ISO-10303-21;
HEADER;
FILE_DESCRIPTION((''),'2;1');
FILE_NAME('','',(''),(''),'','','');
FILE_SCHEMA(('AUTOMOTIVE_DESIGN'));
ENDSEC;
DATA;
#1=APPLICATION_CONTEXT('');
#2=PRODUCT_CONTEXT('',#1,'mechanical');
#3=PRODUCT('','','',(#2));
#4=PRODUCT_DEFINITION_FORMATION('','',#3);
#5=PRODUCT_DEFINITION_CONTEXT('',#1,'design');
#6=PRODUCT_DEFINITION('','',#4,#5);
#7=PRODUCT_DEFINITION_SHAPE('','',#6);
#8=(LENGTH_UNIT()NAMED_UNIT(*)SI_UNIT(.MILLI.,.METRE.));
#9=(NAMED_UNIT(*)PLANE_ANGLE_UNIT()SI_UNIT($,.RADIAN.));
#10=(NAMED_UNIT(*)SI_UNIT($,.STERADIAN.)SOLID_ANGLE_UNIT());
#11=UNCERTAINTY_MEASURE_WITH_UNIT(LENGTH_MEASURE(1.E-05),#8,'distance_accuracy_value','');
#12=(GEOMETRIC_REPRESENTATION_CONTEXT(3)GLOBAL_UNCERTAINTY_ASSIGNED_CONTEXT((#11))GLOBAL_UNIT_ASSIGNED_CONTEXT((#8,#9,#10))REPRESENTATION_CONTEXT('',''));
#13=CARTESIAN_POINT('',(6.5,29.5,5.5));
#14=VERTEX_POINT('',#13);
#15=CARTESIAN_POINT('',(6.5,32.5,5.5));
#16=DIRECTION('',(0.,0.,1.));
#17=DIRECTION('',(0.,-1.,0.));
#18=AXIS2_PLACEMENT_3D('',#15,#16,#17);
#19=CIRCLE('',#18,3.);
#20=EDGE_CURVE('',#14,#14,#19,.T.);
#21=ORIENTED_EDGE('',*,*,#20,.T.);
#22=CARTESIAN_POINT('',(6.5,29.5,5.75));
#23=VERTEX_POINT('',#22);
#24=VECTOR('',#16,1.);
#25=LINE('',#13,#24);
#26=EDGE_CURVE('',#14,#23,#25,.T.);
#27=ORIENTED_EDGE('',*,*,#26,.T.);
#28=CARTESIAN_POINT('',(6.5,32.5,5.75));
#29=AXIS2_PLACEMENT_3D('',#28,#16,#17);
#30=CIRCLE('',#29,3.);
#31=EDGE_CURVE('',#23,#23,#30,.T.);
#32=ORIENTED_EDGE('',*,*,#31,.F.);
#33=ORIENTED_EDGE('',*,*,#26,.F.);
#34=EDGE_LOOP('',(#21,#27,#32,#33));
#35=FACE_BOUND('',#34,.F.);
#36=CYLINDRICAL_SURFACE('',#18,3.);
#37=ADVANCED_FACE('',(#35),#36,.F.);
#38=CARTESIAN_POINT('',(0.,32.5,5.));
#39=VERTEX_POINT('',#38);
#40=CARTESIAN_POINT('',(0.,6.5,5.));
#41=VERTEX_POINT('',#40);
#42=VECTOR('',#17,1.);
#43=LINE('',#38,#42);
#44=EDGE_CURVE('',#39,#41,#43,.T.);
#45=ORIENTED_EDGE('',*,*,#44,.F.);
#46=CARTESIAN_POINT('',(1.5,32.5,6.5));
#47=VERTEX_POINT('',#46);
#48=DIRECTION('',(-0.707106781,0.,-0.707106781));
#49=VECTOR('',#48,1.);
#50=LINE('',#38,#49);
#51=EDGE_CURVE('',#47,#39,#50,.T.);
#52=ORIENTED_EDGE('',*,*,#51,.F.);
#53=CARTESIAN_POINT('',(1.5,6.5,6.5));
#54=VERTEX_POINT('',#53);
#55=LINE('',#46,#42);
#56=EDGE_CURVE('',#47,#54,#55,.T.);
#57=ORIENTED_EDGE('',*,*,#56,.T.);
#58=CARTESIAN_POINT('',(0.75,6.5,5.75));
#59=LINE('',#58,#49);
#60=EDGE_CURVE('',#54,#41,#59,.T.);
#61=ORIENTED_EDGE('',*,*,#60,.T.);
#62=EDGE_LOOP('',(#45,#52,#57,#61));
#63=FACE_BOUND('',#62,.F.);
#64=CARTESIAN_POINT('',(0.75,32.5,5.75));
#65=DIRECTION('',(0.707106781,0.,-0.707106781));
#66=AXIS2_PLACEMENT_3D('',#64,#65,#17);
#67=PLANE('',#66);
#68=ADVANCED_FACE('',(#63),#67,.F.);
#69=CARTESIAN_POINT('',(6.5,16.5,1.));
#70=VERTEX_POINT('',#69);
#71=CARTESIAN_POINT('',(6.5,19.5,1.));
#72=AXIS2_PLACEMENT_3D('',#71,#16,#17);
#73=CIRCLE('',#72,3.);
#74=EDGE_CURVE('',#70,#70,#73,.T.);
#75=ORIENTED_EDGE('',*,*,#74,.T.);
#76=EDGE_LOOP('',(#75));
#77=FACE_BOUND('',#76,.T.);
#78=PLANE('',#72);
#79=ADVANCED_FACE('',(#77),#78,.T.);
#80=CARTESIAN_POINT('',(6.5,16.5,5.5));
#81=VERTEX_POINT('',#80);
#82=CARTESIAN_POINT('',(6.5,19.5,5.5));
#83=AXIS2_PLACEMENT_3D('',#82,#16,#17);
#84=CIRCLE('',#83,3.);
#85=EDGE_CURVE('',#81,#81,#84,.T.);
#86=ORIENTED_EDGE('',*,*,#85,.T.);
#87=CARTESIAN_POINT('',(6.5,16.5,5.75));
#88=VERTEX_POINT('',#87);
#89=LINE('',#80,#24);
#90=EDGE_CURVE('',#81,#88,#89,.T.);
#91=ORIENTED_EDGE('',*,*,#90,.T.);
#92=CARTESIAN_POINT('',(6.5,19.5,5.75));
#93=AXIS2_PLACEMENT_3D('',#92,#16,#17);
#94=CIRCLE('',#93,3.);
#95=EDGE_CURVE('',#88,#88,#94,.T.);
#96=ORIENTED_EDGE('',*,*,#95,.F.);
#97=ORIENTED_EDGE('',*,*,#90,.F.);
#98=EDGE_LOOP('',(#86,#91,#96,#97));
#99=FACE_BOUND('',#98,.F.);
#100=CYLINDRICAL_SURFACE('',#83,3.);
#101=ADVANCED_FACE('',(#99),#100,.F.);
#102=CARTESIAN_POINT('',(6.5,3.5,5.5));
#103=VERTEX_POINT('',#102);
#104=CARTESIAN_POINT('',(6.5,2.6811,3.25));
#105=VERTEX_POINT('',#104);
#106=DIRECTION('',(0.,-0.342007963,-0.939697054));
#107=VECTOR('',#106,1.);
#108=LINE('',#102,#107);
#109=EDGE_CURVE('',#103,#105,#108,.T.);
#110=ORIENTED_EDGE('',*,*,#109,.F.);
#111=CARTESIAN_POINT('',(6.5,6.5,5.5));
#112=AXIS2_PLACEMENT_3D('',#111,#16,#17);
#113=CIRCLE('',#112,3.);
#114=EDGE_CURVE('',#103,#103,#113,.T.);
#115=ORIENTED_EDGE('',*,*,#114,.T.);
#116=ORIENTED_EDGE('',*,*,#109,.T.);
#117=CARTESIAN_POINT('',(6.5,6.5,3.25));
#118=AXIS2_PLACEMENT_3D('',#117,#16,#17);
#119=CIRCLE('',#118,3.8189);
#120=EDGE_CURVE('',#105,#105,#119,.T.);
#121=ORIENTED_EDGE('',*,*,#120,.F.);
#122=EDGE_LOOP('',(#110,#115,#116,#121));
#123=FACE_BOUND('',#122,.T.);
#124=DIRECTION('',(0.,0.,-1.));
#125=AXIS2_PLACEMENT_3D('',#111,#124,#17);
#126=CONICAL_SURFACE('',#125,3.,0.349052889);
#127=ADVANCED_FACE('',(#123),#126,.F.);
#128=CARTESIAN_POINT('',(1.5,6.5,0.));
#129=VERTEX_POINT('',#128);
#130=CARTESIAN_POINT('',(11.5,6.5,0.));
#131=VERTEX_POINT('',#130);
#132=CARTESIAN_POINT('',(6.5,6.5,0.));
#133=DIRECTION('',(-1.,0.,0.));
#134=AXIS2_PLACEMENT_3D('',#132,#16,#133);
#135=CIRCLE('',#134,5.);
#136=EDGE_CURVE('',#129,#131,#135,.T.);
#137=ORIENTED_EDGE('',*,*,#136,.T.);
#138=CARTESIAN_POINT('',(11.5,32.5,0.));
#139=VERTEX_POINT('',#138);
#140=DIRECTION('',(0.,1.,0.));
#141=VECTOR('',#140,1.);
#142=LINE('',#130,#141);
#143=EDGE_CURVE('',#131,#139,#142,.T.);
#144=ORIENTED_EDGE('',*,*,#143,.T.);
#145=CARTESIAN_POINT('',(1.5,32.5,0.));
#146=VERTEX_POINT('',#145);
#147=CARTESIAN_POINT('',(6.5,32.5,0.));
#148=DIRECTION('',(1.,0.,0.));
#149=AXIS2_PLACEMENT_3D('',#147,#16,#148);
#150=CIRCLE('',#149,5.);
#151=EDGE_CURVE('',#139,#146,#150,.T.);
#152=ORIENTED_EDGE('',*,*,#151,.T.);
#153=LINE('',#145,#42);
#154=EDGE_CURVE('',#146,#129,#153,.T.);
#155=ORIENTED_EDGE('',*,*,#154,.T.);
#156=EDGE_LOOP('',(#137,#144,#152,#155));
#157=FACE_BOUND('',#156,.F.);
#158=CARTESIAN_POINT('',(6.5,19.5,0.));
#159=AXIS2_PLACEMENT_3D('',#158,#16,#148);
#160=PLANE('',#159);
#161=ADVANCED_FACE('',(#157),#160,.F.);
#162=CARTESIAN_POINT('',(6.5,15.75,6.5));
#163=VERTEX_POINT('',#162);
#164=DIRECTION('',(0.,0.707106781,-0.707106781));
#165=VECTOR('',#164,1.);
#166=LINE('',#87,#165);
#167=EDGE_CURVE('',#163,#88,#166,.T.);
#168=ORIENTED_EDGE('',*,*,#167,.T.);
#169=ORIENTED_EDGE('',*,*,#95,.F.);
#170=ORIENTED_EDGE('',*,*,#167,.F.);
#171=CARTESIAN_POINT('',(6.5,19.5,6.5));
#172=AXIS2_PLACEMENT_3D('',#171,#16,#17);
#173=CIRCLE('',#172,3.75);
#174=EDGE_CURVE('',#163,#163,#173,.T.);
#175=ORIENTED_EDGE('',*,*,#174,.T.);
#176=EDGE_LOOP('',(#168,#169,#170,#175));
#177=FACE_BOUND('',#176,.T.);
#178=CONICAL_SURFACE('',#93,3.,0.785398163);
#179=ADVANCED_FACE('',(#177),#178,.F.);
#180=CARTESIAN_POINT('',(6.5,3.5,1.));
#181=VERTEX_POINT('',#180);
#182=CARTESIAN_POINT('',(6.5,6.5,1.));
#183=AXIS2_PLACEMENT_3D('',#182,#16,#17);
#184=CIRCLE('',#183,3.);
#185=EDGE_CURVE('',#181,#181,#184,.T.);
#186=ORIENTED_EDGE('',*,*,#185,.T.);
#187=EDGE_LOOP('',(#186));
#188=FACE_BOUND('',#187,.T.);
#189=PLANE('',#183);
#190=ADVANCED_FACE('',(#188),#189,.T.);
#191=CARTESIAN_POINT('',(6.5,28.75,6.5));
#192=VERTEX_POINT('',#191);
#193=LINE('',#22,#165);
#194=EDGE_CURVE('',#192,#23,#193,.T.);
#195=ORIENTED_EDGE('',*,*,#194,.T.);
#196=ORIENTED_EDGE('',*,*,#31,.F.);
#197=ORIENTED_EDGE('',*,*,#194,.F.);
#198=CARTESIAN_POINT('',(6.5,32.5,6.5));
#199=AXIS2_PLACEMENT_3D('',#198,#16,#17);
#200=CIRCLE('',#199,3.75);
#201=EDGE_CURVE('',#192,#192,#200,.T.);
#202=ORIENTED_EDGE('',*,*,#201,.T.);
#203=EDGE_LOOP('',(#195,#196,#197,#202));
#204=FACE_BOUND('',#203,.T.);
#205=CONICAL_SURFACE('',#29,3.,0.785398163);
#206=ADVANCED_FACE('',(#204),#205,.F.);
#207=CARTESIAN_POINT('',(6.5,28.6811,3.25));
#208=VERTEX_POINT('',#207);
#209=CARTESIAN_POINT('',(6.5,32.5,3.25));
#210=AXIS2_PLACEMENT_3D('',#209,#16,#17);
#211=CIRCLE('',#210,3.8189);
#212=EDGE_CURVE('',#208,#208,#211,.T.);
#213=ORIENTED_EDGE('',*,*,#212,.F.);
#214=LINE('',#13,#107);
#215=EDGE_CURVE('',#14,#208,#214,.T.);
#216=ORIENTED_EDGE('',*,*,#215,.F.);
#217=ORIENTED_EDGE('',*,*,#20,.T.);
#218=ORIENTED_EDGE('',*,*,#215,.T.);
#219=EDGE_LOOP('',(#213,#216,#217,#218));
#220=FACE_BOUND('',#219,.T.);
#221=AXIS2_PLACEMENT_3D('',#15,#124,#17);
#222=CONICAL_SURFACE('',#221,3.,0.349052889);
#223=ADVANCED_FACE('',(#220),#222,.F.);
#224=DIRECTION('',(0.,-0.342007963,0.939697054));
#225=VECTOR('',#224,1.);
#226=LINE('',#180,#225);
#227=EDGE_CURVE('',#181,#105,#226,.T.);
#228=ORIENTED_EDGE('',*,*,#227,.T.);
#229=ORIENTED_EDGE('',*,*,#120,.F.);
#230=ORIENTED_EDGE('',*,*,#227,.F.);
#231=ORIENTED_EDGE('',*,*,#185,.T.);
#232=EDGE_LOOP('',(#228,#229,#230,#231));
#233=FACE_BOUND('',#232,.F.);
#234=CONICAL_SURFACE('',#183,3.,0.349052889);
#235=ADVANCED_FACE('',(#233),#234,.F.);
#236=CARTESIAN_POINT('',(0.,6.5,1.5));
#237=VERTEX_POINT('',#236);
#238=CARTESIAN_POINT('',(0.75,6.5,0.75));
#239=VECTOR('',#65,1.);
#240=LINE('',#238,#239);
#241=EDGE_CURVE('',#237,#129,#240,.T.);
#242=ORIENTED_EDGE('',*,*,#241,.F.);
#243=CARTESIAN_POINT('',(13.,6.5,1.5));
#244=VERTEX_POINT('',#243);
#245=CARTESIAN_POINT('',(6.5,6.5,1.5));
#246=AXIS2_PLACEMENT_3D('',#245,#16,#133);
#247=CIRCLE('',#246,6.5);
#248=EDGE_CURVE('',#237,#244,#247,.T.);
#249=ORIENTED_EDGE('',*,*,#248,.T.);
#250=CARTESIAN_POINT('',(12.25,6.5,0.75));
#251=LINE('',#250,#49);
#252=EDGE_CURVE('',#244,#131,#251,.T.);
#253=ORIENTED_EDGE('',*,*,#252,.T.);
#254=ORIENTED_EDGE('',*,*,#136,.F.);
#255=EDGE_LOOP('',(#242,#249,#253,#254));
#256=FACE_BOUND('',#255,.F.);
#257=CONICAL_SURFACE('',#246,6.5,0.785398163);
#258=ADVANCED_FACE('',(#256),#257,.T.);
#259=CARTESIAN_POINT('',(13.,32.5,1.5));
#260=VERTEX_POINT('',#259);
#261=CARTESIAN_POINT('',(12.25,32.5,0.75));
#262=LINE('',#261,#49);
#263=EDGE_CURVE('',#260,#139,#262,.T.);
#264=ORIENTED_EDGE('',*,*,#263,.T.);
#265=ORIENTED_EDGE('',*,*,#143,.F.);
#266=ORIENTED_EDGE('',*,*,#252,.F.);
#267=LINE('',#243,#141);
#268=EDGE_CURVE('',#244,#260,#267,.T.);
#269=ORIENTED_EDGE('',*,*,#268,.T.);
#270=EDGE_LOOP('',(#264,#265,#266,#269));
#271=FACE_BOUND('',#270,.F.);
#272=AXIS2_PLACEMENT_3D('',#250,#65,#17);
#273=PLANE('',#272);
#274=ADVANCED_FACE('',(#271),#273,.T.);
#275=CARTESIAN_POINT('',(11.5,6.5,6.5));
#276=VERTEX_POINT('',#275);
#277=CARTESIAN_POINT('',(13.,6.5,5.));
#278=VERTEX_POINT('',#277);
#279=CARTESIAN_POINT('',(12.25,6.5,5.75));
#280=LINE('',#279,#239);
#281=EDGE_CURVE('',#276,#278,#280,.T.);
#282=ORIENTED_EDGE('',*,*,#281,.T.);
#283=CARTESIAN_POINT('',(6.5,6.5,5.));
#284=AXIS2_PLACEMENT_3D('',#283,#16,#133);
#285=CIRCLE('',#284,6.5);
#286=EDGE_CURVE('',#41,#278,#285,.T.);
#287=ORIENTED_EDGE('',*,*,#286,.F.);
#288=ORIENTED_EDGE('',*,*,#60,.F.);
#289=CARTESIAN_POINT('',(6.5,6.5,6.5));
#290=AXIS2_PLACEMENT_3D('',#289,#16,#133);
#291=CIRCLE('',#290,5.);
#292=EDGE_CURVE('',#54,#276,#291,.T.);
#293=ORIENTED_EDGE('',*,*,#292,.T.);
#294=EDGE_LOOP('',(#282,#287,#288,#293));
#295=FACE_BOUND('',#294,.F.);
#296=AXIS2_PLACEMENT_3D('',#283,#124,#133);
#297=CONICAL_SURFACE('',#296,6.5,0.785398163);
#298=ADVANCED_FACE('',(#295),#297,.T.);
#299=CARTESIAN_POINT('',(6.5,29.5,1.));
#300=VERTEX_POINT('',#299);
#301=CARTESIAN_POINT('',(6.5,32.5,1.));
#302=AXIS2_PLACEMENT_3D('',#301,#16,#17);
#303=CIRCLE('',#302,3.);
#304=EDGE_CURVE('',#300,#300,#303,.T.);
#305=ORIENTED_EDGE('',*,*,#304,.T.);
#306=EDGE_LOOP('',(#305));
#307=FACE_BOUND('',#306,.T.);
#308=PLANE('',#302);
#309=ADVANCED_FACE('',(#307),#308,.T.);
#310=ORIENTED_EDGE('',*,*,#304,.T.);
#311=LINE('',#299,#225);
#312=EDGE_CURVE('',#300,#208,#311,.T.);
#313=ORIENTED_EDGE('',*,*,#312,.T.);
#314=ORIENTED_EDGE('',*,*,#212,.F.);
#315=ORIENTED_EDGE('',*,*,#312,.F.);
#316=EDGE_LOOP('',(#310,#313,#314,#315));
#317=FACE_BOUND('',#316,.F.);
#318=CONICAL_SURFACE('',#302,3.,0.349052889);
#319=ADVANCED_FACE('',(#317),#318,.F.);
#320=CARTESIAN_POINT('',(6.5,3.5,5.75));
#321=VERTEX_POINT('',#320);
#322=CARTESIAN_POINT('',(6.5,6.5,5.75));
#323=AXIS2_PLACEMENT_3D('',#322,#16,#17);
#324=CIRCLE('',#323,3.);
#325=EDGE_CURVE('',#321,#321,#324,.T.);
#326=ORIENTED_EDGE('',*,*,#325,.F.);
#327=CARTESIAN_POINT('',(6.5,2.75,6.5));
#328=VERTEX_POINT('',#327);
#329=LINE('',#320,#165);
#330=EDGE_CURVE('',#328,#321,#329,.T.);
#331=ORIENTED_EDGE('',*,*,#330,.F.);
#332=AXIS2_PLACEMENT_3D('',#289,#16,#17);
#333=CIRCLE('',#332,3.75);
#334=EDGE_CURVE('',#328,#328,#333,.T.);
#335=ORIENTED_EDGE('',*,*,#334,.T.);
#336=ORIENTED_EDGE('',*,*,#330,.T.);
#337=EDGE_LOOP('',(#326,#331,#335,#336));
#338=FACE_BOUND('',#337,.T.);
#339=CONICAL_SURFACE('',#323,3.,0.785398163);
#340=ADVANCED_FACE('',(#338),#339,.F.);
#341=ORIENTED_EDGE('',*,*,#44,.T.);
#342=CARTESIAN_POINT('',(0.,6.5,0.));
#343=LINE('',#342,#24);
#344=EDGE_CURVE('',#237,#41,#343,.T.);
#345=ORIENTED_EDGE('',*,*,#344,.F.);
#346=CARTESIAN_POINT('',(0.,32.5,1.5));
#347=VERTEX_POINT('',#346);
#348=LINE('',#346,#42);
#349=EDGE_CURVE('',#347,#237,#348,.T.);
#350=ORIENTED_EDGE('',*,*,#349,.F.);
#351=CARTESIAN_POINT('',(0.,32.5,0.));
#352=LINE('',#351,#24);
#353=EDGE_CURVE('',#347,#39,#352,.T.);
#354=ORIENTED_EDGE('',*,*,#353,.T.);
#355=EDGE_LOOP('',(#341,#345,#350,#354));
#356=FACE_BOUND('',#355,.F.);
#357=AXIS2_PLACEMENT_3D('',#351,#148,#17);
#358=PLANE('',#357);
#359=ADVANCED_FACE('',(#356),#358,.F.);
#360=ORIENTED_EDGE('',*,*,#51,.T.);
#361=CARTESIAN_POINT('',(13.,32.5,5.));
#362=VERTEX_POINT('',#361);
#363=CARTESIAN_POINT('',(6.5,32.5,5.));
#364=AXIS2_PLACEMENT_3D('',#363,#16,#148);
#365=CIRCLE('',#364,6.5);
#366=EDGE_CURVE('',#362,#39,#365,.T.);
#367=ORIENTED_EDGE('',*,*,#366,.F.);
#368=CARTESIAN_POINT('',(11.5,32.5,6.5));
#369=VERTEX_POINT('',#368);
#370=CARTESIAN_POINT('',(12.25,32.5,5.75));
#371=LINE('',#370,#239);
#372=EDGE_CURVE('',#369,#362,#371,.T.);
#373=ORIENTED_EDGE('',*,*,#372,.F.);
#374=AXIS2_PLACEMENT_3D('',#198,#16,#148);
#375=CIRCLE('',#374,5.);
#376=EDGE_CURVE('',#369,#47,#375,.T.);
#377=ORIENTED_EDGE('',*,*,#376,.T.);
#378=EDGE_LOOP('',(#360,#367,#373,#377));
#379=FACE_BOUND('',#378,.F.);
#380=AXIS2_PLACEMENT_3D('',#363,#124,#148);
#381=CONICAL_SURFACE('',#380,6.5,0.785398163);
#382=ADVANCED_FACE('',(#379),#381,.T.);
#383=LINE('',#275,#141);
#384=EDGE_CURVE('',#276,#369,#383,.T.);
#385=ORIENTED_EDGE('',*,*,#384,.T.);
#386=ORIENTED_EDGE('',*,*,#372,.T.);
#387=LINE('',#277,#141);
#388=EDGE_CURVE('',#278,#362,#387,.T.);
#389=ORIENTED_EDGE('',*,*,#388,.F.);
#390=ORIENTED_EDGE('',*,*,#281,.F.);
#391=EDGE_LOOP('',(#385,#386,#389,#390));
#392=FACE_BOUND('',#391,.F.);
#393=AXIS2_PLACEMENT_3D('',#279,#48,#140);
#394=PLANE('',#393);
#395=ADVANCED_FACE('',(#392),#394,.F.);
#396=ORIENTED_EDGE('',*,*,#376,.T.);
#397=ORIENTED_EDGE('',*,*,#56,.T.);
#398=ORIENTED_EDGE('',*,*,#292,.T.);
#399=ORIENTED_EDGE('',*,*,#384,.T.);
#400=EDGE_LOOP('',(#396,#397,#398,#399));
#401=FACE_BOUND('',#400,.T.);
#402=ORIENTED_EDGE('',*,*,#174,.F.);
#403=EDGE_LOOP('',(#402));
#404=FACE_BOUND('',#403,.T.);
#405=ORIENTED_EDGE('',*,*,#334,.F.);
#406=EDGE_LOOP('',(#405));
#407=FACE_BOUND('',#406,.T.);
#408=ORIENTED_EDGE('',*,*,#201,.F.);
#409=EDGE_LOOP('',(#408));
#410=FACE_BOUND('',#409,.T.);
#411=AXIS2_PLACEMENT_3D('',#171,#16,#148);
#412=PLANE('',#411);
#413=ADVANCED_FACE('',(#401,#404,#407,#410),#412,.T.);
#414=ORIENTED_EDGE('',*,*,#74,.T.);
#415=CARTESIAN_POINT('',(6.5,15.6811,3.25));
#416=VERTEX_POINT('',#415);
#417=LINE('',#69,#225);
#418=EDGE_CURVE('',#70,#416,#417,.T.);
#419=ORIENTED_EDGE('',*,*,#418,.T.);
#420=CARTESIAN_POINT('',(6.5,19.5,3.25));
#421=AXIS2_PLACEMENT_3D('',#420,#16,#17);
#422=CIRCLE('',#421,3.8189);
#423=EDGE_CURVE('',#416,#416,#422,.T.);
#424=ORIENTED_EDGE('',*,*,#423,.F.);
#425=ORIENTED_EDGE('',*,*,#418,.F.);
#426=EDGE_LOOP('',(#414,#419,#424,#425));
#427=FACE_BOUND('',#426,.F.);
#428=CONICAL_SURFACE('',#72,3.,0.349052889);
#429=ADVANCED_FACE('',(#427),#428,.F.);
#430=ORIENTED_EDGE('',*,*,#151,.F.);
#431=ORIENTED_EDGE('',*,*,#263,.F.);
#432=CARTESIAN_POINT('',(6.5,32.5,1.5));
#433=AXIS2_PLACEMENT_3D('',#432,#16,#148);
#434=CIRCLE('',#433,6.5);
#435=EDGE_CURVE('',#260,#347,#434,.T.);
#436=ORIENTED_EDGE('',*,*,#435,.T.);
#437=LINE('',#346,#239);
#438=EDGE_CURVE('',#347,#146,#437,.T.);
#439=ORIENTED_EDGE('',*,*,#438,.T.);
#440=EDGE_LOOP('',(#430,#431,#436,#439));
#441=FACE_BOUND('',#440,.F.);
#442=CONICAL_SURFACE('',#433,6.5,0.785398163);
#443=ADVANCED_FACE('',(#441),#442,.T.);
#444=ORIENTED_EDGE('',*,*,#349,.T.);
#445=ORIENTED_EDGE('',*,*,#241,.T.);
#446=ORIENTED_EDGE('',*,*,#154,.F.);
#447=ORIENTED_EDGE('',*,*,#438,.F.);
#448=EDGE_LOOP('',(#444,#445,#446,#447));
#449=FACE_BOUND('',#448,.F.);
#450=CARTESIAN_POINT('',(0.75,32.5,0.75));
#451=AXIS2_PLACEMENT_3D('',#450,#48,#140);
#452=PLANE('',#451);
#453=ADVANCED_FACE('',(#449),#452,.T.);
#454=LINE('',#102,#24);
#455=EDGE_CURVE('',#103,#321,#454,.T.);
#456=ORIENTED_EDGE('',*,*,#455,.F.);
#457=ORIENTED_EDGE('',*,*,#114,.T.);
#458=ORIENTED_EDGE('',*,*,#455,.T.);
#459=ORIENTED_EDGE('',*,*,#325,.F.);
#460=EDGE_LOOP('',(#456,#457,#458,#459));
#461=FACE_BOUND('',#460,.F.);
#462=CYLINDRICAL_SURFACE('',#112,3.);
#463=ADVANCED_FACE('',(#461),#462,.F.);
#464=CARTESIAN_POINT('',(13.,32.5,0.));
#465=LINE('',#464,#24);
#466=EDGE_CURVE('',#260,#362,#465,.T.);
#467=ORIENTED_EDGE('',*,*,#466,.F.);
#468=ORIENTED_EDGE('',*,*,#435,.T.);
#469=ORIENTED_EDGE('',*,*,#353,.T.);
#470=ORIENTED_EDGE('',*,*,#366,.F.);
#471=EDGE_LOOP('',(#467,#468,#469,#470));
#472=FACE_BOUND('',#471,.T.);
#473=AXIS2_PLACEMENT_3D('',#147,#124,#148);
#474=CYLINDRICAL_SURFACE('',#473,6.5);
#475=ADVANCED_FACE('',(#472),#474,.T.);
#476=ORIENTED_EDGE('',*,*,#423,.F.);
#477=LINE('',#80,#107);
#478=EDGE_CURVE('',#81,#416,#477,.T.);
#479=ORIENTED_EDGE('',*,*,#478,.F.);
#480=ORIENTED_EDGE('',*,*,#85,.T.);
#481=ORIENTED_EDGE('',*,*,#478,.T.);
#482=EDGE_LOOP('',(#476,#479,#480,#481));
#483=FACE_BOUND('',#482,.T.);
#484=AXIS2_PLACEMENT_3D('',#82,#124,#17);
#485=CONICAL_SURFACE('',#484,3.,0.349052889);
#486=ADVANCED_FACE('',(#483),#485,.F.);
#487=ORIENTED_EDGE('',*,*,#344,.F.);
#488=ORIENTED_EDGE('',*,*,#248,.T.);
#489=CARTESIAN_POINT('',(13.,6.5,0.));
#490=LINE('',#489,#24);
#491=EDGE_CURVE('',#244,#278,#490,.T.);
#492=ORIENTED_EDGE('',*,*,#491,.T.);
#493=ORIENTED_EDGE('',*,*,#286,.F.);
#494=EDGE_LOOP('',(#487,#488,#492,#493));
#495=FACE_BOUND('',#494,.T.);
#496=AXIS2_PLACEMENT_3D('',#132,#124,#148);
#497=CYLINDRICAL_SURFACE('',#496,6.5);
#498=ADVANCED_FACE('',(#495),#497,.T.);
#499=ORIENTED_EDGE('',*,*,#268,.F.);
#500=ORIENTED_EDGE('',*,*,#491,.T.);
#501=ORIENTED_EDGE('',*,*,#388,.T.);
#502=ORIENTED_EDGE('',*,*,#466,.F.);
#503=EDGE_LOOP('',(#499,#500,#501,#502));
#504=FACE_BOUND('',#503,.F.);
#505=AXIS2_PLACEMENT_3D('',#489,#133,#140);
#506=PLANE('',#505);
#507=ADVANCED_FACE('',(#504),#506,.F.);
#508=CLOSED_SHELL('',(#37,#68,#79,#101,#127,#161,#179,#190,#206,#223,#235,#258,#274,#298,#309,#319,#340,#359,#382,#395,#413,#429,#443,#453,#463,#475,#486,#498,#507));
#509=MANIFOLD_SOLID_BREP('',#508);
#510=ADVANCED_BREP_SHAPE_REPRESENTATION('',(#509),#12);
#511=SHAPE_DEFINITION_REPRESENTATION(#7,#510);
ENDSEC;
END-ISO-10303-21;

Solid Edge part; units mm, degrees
sketch "Sketch1" plane through (0, 0, 0) normal (0, 0, 1) x (1, 0, 0)
  line L0 (0, 32.5) -> (0, 6.5)
  line L1 (13, 6.5) -> (13, 32.5)
  arc A0 (13, 6.5) -> (0, 6.5) centre (6.5, 6.5) cw
  arc A1 (0, 32.5) -> (13, 32.5) centre (6.5, 32.5) cw
extrude "Protrusion1" add sketch "Sketch1" along normal blind 6.5
sketch "Sketch2" plane through (6.5, 0, 0) normal (1, 0, 0) x (0, 1, 0)
  line L0 (3.5, 5.5) -> (3.5, 6.5)
  line L1 (3.5, 6.5) -> (6.5, 6.5)
  line L2 (6.5, 1) -> (6.5, 6.5)
  line L3 (3.5, 1) -> (6.5, 1)
  line L4 (3.5, 1) -> (2.6811, 3.25)
  line L5 (3.5, 5.5) -> (2.6811, 3.25)
revolve "RevolvedCutout1" cut sketch "Sketch2" angle 360 about axis through (6.5, 6.5, 1) along (0, 0, 1)
chamfer "Chaflán_38" distance 0.75 angle 45 1 edges at (6.5, 3.5, 6.5)
pattern_linear "Pattern1" count 3 spacing 13 along (0, 1, 0) of "RevolvedCutout1", "Chaflán_38"
chamfer "Chaflán_39" distance 1.5 angle 45 8 edges at (13, 19.5, 6.5) (6.5, 0, 6.5) (0, 19.5, 6.5) (6.5, 39, 6.5) (13, 19.5, 0) (6.5, 0, 0) (0, 19.5, 0) (6.5, 39, 0)
